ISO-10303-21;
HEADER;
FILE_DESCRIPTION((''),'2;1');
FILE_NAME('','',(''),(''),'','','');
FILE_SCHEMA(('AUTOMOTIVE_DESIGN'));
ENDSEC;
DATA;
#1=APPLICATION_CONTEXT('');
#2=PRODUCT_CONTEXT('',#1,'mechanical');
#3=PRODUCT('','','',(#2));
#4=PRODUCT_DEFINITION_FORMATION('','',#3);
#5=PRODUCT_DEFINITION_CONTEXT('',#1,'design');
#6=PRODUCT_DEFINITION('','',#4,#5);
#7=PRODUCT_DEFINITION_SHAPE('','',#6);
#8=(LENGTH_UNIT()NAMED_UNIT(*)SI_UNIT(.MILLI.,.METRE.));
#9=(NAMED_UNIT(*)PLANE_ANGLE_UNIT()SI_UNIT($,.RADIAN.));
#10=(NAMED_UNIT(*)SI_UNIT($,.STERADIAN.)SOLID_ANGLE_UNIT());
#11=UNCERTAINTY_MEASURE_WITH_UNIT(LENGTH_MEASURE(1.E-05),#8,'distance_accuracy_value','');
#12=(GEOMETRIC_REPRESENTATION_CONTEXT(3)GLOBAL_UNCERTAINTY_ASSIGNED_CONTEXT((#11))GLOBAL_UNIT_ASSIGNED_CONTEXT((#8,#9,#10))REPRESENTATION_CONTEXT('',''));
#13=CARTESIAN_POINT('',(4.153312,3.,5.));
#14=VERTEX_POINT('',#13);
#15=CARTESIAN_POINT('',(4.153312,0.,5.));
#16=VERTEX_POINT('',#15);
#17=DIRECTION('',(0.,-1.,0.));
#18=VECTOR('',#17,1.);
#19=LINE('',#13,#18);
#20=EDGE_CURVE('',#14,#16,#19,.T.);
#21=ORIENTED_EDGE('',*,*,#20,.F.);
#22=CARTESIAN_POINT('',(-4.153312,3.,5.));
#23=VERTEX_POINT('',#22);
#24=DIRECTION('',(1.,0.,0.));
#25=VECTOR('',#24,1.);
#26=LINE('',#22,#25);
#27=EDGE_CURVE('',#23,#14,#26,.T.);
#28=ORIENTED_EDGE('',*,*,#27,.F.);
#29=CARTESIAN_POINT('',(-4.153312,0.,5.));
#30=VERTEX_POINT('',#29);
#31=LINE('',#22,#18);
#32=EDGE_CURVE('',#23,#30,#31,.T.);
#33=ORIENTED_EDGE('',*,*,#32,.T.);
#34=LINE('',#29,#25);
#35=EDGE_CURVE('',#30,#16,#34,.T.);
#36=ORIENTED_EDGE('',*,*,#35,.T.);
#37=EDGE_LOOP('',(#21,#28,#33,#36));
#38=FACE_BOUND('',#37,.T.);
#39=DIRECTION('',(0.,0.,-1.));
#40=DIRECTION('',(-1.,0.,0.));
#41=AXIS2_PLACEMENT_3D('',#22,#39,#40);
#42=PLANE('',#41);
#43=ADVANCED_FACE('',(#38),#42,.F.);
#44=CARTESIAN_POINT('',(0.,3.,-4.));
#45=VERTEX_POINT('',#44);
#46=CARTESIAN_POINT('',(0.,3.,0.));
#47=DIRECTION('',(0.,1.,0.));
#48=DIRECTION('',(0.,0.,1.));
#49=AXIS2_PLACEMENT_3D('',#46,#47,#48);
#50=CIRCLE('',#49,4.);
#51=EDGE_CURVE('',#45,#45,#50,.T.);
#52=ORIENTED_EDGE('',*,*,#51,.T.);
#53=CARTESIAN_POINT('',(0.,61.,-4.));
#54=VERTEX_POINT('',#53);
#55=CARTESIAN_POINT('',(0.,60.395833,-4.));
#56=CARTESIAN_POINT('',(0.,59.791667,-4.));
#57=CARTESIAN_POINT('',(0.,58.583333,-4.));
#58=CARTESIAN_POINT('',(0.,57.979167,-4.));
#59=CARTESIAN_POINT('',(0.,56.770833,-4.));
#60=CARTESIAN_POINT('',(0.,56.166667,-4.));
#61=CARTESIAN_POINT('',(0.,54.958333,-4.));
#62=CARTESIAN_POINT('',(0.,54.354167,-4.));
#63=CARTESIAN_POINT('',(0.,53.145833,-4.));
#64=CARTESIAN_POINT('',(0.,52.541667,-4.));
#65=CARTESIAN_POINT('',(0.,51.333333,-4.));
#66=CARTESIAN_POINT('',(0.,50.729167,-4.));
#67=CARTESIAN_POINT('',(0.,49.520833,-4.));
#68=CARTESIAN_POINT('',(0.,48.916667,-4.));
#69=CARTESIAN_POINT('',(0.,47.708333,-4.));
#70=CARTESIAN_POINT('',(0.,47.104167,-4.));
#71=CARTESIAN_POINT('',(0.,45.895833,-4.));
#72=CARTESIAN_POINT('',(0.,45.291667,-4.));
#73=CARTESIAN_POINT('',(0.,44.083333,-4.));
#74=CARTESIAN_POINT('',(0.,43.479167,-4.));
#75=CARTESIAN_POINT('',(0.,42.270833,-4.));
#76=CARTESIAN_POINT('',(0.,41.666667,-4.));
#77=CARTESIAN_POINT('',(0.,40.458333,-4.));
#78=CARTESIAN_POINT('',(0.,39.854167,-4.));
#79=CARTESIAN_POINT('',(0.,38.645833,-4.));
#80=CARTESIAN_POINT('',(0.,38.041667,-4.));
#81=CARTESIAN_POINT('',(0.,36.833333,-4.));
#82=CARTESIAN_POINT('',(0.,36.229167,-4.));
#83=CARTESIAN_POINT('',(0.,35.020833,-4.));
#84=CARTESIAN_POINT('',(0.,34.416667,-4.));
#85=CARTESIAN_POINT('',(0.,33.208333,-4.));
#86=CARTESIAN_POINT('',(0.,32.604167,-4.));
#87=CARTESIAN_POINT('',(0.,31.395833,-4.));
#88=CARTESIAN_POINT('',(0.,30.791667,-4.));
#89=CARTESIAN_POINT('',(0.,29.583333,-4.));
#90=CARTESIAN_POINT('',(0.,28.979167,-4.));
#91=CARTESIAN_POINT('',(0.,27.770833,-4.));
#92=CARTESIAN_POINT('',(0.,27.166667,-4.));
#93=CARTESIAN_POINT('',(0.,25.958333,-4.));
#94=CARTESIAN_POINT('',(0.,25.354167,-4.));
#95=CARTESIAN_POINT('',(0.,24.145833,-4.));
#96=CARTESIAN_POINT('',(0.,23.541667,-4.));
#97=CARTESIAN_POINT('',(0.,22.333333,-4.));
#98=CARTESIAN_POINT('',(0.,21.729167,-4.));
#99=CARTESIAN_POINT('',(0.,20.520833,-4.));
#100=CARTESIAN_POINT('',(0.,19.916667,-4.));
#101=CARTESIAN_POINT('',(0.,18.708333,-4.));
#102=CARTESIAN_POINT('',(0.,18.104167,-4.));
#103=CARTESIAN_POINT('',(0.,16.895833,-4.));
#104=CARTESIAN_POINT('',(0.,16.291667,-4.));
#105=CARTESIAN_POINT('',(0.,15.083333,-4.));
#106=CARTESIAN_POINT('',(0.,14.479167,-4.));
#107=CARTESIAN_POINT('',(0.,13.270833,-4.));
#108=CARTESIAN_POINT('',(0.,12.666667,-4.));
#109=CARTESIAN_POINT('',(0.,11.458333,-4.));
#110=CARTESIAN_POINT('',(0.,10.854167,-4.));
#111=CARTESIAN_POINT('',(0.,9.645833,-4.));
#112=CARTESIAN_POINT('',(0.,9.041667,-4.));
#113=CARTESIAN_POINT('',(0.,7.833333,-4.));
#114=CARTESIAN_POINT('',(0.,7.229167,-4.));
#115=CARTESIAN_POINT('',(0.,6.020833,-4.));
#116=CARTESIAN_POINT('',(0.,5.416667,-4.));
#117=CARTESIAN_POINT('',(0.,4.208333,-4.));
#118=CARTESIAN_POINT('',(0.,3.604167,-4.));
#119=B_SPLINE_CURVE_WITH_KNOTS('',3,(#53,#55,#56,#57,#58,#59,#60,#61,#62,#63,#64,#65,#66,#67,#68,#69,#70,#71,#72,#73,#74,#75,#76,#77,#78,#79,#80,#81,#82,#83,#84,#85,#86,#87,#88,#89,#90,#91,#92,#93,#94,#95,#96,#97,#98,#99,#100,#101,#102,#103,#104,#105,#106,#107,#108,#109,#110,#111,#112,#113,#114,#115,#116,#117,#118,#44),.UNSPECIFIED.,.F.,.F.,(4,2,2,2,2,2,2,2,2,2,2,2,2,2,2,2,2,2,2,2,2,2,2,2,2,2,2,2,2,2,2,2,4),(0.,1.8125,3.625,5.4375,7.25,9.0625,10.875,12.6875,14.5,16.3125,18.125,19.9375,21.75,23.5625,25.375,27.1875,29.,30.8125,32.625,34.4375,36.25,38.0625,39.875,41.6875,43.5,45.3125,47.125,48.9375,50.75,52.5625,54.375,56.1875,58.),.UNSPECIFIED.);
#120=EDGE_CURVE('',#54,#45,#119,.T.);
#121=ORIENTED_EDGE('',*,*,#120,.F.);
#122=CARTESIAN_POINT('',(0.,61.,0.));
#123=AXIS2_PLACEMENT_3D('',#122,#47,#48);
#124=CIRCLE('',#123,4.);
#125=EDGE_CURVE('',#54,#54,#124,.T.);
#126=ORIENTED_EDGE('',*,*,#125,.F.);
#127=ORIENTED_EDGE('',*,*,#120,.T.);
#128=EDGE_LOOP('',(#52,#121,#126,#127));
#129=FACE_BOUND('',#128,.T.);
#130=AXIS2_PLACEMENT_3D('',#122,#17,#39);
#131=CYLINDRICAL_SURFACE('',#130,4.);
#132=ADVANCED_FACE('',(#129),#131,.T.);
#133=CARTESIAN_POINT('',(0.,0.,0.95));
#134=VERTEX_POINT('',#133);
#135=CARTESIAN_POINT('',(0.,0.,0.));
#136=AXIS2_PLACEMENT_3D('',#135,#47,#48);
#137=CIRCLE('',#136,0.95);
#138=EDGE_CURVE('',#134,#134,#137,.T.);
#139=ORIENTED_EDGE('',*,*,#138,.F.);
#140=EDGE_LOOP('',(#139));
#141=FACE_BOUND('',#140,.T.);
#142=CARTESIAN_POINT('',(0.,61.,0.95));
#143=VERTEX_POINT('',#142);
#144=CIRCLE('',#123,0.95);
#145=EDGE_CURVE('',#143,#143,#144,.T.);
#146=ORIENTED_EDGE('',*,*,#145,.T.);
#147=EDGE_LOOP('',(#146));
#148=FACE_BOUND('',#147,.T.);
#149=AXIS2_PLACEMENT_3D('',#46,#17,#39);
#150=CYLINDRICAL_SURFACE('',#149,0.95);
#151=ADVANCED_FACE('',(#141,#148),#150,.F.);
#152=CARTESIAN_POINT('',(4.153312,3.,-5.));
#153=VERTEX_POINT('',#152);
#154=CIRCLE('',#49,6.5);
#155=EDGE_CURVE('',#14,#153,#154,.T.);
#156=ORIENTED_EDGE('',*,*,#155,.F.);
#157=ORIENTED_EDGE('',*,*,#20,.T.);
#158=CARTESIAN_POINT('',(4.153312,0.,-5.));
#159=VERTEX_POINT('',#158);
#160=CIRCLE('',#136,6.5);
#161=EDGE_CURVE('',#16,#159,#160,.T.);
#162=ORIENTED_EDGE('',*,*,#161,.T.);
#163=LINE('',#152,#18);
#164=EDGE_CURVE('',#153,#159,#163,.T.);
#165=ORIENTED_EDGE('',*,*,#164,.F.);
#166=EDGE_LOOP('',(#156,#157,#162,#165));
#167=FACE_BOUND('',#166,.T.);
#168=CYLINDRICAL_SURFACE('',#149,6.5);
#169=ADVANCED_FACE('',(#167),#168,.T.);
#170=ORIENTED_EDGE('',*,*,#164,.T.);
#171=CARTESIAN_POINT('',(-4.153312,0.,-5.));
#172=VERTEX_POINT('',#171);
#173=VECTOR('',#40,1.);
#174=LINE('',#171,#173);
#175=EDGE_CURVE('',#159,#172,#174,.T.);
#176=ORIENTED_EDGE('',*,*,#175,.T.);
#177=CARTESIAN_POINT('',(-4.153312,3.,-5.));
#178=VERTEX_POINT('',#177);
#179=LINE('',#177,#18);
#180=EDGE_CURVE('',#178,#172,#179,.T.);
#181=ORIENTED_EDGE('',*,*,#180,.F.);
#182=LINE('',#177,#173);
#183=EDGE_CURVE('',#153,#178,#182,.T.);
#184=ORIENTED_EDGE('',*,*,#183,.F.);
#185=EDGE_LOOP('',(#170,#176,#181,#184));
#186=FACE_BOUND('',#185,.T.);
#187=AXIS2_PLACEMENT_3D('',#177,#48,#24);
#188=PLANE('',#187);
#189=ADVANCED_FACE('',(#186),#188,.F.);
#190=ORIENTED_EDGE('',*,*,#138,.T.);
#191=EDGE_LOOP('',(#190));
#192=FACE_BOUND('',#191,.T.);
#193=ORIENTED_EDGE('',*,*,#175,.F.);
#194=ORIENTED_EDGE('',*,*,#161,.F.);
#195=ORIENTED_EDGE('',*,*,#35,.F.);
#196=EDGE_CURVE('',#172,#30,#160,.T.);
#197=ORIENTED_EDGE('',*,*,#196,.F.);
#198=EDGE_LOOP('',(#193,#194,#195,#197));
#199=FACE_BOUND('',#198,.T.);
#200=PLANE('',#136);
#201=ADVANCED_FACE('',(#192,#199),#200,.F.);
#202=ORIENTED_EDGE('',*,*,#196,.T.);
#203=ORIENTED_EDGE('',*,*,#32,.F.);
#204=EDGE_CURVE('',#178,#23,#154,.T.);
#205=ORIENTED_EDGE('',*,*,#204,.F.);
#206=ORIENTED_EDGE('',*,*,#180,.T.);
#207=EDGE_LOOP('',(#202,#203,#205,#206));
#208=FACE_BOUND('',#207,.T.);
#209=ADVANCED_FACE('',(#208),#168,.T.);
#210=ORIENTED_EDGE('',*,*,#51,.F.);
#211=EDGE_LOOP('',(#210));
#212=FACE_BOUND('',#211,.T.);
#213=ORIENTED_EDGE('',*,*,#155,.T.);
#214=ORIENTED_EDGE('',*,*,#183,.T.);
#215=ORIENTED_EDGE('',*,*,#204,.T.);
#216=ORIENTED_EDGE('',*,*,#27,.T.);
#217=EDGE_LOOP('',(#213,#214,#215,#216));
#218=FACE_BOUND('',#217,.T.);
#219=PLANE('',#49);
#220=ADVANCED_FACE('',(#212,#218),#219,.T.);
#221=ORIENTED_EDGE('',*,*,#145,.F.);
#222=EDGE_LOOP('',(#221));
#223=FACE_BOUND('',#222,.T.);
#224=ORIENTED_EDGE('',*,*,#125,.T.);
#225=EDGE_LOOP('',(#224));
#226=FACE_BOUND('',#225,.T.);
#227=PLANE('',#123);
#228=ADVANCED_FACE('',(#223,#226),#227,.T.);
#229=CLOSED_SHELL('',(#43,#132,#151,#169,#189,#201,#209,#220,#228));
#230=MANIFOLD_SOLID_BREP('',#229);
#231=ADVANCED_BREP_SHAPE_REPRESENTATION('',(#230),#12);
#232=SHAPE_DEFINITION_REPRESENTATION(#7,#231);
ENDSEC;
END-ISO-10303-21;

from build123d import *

# Parameters (mm, degrees)
SKETCH1_R           = 0.95
BOSS_EXTRUDE1_DEPTH = 3
SKETCH2_R           = 4
SKETCH2_R_2         = 0.95
BOSS_EXTRUDE2_DEPTH = 58


with BuildPart() as part:
    # Sketch1 → Boss-Extrude1 (new body)
    with BuildSketch(Plane(origin=(0, 0, 0), x_dir=(1, 0, 0), z_dir=(0, 1, 0))):
        with BuildLine():
            Line((-4.153311931, -5), (4.153311931, -5))
            ThreePointArc((4.153311931, -5), (6.5, 0), (4.153311931, 5))
            Line((4.153311931, 5), (-4.153311931, 5))
            ThreePointArc((-4.153311931, 5), (-6.5, 0), (-4.153311931, -5))
        make_face()
        with Locations(Location((0, 0, 0), (0, 0, 270))):
            Circle(SKETCH1_R, mode=Mode.SUBTRACT)
    extrude(amount=BOSS_EXTRUDE1_DEPTH)

    # Sketch2 → Boss-Extrude2 (add)
    with BuildSketch(Plane(origin=(0, 3, 0), x_dir=(1, 0, 0), z_dir=(0, 1, 0))):
        with Locations(Location((0, 0, 0), (0, 0, 90))):
            Circle(SKETCH2_R)
        with Locations(Location((0, 0, 0), (0, 0, 270))):
            Circle(SKETCH2_R_2, mode=Mode.SUBTRACT)
    extrude(amount=BOSS_EXTRUDE2_DEPTH)


solid = part.part
